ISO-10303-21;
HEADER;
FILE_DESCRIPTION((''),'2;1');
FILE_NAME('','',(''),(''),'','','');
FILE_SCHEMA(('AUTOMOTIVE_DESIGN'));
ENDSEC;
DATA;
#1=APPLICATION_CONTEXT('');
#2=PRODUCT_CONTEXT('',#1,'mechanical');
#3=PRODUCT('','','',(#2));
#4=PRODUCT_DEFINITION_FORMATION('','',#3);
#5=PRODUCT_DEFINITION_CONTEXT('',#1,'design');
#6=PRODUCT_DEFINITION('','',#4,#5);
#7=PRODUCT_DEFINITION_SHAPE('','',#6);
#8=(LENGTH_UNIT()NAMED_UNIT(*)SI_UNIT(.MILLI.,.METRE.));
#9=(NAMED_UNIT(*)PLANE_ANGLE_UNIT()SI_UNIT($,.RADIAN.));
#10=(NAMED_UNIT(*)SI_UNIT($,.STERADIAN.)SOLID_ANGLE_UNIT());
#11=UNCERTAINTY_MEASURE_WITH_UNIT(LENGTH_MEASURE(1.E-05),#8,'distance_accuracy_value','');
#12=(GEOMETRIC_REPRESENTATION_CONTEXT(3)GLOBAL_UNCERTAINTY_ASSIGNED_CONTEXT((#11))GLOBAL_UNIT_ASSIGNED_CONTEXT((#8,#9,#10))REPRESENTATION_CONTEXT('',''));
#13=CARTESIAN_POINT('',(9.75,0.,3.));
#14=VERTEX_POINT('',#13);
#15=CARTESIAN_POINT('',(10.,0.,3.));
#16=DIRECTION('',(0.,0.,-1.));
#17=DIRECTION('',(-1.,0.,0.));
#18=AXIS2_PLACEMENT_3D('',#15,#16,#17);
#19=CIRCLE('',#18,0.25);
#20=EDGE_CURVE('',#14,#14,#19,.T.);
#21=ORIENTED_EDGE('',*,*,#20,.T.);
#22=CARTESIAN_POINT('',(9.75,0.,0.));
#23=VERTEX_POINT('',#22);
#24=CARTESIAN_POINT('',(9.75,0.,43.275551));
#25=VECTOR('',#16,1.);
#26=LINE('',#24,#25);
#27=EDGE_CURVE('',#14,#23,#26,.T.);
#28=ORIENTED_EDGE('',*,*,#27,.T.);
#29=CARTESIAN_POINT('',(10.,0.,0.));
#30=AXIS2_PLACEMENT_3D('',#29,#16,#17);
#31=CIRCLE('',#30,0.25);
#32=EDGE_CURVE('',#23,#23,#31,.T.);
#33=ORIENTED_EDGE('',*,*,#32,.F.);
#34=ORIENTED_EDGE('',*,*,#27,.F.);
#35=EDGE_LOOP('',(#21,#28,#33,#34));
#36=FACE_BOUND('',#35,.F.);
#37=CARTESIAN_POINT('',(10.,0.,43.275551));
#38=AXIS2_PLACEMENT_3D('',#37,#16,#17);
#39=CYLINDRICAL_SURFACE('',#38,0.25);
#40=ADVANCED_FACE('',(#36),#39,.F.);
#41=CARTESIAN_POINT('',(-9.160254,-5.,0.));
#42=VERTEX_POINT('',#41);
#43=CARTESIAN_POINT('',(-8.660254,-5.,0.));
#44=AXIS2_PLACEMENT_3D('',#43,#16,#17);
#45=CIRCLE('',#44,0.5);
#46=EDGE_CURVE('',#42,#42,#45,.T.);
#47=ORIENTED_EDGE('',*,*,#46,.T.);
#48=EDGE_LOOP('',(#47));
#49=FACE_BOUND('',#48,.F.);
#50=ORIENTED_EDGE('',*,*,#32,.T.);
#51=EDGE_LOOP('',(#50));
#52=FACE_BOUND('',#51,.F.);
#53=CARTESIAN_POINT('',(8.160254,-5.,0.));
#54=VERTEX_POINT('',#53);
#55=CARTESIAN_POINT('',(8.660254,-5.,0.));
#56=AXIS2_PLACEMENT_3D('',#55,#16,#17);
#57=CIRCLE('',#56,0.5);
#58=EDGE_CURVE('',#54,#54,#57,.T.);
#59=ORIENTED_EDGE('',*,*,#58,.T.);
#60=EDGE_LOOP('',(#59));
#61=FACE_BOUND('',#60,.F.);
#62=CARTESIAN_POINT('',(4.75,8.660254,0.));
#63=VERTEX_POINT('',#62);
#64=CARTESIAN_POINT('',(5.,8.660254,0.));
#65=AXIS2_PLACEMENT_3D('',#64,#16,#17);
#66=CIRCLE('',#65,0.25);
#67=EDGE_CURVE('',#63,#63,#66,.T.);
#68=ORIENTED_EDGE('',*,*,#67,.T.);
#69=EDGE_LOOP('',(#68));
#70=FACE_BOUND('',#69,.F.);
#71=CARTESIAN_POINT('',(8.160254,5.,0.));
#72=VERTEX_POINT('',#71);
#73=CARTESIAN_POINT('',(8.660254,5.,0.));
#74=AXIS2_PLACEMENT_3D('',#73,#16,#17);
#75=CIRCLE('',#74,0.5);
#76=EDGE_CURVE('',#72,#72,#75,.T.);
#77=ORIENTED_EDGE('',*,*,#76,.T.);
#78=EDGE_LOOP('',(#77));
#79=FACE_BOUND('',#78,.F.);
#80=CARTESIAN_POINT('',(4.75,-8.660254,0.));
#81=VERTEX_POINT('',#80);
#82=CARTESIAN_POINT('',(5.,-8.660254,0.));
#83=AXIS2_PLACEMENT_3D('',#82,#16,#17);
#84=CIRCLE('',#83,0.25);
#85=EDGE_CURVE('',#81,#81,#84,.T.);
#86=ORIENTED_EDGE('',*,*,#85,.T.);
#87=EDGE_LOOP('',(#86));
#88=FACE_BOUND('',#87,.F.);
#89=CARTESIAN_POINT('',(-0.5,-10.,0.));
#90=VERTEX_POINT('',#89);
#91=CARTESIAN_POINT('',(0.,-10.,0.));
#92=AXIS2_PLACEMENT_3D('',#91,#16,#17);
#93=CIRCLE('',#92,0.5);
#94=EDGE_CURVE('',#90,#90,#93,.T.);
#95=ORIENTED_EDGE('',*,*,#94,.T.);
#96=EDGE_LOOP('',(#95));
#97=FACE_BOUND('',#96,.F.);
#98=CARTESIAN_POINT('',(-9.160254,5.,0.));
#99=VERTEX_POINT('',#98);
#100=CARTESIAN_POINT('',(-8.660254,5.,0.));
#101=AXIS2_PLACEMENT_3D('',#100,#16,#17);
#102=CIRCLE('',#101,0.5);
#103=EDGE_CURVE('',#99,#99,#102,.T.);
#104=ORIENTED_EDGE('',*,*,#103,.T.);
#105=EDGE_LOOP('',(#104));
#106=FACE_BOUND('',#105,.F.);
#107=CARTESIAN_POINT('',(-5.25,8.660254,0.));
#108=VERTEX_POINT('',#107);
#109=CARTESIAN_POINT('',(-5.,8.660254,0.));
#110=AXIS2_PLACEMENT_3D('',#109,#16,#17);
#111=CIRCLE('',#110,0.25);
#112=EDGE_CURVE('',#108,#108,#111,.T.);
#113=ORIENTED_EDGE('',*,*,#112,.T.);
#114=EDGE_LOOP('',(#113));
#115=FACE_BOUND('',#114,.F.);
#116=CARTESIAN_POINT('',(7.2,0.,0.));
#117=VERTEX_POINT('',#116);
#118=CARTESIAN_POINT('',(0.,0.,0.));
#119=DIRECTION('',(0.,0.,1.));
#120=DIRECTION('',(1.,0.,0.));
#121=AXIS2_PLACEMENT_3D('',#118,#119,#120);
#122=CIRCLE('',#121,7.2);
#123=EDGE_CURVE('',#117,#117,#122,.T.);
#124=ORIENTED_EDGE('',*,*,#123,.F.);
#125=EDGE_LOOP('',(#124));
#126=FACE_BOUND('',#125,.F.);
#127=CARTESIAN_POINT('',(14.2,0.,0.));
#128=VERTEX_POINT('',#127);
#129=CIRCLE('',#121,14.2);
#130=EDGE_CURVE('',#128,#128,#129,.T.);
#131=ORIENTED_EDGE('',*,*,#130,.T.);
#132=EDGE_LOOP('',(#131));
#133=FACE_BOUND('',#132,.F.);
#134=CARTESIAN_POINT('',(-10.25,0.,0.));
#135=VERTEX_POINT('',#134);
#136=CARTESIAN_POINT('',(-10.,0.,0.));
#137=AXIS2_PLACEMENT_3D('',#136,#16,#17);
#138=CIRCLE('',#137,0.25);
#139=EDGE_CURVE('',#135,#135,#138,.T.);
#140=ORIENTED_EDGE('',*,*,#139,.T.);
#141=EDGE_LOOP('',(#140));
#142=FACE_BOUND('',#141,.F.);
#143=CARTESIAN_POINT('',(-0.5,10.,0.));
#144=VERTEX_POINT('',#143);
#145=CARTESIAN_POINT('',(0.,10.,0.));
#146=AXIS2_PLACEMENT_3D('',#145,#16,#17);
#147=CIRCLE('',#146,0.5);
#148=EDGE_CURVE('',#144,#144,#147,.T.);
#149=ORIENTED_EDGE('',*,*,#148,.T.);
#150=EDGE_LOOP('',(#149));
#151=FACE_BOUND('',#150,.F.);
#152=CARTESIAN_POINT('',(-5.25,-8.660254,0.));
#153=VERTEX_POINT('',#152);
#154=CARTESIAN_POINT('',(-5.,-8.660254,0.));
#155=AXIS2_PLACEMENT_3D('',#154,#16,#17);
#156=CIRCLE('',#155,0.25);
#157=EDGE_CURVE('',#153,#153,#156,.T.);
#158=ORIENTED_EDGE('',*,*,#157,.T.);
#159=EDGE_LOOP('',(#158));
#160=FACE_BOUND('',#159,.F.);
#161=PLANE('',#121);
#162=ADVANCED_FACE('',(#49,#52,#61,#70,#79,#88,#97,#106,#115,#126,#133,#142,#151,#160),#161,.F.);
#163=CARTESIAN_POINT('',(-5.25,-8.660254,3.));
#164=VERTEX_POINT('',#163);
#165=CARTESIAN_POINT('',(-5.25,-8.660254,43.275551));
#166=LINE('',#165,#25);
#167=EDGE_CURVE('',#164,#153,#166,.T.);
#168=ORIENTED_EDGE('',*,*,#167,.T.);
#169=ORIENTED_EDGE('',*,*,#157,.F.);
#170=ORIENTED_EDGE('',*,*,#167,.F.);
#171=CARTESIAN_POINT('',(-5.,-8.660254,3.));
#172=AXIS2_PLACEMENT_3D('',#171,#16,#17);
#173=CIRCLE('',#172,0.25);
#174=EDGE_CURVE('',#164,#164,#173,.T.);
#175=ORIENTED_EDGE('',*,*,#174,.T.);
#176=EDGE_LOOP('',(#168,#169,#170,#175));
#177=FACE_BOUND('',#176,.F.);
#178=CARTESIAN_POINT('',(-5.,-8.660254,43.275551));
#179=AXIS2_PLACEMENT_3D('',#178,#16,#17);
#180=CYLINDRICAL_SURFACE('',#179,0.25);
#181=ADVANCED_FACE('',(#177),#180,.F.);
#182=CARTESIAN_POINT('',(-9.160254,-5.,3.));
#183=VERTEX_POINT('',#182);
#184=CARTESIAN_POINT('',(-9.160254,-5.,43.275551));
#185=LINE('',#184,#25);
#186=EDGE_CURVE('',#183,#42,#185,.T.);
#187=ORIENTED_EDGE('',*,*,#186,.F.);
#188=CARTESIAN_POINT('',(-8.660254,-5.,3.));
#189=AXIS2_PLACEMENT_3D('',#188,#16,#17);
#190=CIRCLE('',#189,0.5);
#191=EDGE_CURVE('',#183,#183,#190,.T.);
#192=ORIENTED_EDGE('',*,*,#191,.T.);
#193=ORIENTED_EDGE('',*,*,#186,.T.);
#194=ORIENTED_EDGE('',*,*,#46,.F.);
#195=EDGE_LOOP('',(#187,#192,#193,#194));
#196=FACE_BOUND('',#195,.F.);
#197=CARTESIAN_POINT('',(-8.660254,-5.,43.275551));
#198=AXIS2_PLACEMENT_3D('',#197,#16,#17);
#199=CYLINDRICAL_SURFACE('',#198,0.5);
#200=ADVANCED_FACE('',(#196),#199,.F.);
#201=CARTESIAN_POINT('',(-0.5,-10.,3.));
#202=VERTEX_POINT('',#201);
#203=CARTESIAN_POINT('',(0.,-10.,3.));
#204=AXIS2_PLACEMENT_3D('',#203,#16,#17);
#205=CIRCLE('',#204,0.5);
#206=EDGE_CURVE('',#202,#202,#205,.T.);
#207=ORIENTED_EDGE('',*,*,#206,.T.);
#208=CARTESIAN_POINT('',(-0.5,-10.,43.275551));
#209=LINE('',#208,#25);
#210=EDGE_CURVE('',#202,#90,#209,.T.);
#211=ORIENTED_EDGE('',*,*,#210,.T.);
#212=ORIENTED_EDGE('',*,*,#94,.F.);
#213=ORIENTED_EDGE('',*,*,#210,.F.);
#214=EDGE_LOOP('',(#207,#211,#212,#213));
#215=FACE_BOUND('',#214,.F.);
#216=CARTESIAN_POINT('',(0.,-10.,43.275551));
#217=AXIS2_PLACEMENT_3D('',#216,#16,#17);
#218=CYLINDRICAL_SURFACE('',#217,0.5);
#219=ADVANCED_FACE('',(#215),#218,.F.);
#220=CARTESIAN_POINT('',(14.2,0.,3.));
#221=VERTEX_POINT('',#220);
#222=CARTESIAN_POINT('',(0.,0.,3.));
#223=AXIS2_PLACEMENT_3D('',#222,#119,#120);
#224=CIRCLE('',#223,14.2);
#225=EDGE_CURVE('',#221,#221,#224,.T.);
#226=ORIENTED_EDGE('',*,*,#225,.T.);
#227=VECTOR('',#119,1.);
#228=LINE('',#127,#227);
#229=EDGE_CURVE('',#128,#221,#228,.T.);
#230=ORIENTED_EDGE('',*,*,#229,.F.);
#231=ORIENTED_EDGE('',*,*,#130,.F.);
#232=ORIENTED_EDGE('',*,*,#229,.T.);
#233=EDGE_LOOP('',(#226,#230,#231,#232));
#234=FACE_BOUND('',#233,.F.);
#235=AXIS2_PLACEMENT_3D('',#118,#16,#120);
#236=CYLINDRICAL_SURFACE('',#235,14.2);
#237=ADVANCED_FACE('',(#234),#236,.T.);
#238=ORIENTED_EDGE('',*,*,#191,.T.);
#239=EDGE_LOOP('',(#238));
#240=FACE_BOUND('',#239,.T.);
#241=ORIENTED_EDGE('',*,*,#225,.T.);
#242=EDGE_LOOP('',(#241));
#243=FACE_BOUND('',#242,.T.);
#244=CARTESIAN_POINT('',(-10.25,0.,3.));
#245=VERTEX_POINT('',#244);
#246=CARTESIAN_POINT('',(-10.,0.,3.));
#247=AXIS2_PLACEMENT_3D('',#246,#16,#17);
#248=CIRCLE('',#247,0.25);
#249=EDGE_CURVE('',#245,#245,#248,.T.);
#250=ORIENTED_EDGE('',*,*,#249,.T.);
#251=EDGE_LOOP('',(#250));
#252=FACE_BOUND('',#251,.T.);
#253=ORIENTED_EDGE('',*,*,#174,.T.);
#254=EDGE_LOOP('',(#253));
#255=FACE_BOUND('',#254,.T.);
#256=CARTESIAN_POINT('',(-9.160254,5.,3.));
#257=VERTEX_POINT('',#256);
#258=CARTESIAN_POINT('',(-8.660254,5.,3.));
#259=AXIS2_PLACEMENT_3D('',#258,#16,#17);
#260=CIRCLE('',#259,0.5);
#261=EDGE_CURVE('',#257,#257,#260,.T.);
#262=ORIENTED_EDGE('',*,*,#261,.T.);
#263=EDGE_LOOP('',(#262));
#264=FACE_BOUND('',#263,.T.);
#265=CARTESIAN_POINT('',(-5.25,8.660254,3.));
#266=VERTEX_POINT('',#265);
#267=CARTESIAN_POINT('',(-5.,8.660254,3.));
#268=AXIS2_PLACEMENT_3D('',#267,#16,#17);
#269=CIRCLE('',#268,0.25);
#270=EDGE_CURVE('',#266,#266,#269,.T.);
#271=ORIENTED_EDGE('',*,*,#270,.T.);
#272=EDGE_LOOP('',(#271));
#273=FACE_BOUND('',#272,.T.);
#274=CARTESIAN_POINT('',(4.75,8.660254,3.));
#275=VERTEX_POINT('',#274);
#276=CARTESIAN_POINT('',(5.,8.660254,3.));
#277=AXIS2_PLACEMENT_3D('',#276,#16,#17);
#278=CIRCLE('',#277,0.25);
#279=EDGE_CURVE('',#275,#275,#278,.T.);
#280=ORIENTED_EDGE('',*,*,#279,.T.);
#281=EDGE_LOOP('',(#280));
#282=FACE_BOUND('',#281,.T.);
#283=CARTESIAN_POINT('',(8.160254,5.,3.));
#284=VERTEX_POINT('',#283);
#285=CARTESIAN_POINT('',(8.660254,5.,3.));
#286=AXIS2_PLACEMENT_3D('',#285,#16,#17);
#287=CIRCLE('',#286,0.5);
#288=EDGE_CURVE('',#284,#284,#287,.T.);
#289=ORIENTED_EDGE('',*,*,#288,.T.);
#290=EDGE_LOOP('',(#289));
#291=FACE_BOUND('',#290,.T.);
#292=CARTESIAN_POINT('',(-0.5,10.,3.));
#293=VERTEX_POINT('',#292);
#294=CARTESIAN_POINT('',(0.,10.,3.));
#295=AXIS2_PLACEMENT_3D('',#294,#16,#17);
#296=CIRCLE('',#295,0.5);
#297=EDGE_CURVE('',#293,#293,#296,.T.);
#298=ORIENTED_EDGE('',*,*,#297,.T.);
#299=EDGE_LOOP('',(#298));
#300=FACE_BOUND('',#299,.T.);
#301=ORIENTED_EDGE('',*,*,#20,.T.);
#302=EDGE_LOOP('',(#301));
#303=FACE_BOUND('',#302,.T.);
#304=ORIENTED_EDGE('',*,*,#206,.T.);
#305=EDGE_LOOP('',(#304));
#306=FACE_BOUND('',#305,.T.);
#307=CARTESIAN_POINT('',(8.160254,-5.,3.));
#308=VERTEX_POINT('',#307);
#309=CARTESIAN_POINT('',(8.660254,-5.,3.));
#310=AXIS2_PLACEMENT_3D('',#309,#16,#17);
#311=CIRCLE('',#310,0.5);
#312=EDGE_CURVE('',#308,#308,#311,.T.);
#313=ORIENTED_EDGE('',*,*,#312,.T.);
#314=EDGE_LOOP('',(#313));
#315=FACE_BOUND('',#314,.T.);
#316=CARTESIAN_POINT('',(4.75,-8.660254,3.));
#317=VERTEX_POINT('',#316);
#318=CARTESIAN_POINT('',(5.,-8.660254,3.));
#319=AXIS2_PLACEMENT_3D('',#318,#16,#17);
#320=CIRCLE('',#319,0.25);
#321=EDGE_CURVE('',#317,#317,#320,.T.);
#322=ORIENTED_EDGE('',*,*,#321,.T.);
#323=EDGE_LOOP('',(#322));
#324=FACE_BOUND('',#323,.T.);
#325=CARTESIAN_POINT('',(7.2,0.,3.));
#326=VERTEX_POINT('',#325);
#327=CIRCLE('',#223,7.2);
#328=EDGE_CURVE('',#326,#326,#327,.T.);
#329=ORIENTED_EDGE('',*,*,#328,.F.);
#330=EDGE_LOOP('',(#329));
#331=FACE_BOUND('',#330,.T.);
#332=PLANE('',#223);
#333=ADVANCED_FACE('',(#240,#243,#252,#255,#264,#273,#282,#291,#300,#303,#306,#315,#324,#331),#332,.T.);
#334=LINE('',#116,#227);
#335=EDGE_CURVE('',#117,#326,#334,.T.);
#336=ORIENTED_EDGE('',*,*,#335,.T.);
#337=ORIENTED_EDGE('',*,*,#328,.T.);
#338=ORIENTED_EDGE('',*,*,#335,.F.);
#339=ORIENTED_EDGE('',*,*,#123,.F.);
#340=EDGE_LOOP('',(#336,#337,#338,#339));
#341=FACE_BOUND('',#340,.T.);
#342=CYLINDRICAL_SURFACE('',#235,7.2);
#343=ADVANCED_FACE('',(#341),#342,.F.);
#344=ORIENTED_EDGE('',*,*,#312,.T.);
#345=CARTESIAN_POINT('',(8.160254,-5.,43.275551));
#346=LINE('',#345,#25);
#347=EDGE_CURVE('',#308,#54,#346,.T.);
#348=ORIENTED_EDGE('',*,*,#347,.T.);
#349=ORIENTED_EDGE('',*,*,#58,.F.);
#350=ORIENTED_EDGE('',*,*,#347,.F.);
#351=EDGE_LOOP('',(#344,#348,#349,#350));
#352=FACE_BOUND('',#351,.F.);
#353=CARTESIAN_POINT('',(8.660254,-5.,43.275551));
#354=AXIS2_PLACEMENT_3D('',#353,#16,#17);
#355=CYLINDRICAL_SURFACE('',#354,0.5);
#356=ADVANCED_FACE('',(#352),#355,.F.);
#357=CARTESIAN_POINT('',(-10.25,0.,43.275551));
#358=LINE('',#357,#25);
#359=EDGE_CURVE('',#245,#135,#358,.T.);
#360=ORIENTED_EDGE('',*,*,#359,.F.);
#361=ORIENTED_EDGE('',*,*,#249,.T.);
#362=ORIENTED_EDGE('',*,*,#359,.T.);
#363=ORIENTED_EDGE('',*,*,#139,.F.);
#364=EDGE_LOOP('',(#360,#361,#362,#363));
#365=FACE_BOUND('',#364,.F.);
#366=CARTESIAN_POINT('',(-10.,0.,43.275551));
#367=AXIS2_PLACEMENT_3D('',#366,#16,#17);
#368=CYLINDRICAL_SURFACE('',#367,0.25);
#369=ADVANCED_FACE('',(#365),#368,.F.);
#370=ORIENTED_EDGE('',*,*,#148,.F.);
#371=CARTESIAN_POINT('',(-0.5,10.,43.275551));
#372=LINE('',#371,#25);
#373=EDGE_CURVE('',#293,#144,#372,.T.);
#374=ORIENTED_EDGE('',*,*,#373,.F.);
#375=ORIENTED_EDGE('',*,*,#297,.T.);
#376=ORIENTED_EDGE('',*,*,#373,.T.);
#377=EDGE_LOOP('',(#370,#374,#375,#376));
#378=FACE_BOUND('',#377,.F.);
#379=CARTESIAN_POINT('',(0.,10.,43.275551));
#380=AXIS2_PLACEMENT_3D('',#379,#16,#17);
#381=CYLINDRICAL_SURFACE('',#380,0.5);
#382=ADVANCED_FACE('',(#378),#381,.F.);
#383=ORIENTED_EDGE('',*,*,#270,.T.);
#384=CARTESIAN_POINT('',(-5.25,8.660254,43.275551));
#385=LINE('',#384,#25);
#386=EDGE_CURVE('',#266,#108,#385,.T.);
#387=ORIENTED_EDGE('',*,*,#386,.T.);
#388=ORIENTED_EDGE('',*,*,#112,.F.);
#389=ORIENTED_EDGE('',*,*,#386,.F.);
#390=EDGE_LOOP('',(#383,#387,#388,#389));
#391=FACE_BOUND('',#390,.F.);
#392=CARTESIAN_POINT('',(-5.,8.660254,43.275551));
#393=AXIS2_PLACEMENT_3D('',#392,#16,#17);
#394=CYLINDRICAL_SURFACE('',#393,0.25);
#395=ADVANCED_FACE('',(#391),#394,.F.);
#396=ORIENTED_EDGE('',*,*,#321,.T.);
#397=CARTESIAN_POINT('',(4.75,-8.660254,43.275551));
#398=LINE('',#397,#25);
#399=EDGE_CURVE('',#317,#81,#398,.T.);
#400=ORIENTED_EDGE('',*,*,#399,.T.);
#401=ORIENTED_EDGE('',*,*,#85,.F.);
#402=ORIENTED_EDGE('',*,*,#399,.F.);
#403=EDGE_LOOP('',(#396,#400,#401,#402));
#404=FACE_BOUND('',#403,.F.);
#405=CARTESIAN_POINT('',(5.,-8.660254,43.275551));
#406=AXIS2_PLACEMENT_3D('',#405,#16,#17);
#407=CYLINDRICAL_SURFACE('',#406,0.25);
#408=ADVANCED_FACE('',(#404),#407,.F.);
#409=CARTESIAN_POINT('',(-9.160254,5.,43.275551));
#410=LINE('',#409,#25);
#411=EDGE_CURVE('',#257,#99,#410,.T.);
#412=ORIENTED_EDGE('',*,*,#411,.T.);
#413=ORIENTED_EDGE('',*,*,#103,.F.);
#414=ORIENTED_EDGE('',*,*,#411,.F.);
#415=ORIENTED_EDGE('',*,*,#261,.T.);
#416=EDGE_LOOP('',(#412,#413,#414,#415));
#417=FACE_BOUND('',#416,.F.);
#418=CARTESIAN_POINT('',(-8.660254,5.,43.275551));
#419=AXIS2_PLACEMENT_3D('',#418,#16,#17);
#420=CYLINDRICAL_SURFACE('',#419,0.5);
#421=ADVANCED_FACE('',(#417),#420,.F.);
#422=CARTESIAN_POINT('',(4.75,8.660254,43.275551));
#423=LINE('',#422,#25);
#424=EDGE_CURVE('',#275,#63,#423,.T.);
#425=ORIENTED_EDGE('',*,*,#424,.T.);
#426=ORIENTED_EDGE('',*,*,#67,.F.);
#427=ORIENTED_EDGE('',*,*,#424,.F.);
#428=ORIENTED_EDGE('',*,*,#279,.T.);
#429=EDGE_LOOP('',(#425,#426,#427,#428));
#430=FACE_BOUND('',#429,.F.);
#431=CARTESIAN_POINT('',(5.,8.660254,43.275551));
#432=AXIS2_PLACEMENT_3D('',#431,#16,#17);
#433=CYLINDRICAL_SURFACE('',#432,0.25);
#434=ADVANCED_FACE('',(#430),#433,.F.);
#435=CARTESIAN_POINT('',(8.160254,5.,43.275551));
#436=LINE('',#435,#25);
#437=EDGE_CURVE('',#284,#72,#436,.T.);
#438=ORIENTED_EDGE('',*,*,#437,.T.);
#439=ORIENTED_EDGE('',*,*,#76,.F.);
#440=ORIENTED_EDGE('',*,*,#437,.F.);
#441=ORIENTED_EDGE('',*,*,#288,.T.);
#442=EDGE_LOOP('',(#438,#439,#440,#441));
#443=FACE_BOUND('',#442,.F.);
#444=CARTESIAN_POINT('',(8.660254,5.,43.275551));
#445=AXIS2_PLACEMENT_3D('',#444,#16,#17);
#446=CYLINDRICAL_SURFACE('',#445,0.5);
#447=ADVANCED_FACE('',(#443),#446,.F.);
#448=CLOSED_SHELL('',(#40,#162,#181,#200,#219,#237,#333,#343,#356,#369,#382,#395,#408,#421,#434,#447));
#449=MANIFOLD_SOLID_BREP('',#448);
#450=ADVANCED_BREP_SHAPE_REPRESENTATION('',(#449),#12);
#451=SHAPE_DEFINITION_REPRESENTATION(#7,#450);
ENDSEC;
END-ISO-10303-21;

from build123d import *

# Parameters (mm, degrees)
F0_R     = 14.2
F0_R_2   = 7.2
F1_DEPTH = 3
F3_D     = 1
F5_D     = 0.5


with BuildPart() as f1:
    # F0 (on Top) → F1 (new body)
    with BuildSketch(Plane.XY):
        Circle(F0_R)
        Circle(F0_R_2, mode=Mode.SUBTRACT)
    extrude(amount=F1_DEPTH)

    # F3 (through all)
    with Locations(Plane.XY.offset(3)):
        with Locations((0, 10), (8.660254, 5), (8.660254, -5), (0, -10), (-8.660254, 5), (-8.660254, -5)):
            Hole(F3_D / 2)

    # F5 (through all)
    with Locations(Plane.XY.offset(3)):
        with Locations((-5, 8.660254), (5, 8.660254), (10, 0), (5, -8.660254), (-5, -8.660254), (-10, 0)):
            Hole(F5_D / 2)


solid = f1.part
